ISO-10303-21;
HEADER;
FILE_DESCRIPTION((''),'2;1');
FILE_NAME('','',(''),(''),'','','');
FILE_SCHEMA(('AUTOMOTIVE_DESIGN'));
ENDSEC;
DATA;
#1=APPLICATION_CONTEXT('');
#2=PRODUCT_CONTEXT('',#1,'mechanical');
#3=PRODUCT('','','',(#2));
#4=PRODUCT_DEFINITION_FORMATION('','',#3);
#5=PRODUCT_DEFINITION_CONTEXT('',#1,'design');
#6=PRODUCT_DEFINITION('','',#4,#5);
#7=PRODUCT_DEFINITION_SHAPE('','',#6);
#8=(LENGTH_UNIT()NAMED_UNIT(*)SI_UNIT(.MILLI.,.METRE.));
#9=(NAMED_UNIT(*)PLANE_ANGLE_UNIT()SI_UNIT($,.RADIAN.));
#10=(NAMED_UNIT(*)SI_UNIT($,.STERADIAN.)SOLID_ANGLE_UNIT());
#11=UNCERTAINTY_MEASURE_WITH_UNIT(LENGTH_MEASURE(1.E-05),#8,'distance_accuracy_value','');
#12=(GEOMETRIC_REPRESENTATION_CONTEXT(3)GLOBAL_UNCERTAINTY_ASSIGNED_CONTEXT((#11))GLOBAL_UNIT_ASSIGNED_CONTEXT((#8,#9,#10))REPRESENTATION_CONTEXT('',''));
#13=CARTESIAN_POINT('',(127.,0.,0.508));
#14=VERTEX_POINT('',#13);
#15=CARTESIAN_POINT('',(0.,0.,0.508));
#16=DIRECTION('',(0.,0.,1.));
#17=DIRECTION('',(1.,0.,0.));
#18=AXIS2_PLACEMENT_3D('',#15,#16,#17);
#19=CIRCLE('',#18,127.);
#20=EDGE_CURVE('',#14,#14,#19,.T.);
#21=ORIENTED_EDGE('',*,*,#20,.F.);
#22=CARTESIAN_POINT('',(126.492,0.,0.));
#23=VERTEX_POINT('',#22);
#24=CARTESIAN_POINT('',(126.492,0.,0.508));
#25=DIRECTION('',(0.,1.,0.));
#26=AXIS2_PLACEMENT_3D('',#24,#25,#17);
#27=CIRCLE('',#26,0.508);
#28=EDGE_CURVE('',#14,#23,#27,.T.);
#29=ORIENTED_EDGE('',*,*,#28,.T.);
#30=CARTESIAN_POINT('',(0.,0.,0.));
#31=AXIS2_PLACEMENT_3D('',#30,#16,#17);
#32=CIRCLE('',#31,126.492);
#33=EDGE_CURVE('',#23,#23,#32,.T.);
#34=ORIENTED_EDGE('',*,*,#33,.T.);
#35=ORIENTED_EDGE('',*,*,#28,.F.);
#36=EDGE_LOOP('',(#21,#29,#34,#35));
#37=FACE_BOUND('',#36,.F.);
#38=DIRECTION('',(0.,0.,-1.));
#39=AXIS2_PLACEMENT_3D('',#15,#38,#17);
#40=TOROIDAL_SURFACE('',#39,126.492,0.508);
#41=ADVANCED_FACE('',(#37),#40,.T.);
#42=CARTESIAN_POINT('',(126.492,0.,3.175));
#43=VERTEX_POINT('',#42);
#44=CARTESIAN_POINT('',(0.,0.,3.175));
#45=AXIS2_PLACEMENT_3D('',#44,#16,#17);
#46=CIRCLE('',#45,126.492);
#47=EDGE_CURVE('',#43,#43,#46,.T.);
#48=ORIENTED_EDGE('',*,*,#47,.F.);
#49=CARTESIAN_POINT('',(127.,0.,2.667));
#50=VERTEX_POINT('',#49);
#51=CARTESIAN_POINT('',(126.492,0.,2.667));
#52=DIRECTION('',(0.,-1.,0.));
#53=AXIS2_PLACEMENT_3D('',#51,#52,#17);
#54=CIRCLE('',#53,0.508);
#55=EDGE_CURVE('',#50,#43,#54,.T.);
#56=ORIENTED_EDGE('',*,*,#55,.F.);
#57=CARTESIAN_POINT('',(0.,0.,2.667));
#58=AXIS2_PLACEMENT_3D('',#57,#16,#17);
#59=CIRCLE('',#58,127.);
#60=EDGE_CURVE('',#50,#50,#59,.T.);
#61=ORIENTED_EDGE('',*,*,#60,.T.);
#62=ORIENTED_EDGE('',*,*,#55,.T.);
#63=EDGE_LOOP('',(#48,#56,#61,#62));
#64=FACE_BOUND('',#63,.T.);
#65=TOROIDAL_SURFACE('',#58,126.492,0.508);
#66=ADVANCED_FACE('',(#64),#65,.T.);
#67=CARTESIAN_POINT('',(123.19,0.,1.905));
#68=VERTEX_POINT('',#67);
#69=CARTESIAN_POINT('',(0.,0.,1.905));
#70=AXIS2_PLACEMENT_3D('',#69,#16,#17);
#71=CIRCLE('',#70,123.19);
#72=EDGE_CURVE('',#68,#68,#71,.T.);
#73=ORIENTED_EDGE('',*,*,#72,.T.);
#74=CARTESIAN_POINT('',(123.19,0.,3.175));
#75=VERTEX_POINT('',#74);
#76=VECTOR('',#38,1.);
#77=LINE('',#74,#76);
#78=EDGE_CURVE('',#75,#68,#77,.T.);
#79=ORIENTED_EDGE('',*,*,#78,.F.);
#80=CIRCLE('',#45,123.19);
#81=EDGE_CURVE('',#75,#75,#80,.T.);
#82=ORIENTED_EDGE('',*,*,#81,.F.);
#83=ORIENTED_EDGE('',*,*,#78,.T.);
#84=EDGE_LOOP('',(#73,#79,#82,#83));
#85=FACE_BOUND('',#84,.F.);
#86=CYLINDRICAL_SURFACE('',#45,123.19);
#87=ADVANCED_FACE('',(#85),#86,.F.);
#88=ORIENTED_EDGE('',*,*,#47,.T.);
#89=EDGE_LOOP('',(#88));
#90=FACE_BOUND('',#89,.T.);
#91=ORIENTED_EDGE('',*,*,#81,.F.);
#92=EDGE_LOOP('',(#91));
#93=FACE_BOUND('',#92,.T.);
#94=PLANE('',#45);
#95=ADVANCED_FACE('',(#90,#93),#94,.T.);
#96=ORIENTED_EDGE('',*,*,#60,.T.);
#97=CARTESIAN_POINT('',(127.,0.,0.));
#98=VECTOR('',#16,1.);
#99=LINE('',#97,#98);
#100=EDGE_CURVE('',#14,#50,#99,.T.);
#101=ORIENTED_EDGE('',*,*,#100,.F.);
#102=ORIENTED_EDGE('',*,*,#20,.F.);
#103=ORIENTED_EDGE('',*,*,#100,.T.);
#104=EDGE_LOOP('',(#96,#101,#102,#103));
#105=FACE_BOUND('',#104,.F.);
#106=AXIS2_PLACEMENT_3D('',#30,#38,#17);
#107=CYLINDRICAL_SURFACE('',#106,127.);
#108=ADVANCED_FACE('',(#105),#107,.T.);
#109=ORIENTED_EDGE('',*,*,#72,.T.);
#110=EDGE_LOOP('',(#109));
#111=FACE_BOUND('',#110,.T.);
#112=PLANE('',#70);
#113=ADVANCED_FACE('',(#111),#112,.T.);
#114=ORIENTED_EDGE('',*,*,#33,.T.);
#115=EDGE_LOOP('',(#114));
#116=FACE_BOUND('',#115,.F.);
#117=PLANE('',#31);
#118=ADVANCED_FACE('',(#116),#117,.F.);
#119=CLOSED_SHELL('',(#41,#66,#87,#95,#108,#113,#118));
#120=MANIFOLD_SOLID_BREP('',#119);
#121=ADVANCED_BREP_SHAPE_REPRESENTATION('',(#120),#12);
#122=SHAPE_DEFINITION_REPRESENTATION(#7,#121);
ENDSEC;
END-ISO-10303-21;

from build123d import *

# Parameters (mm, degrees)
F0_R     = 127
F1_DEPTH = 3.175
F2_R     = 0.508
F3_R     = 123.19
F4_DEPTH = 1.27


with BuildPart() as f1:
    # F0 (on Top) → F1 (new body)
    with BuildSketch(Plane.XY):
        Circle(F0_R)
    extrude(amount=F1_DEPTH)

    # F2
    f2_edges = [f1.edges().sort_by_distance(p)[0] for p in [
        (-127, 0, 0),
        (-127, 0, 3.175),
    ]]
    fillet(f2_edges, radius=F2_R)

    # F3 (on face) → F4 (cut)
    with BuildSketch(Plane.XY.offset(3.175)):
        Circle(F3_R)
    extrude(amount=-F4_DEPTH, mode=Mode.SUBTRACT)


solid = f1.part
